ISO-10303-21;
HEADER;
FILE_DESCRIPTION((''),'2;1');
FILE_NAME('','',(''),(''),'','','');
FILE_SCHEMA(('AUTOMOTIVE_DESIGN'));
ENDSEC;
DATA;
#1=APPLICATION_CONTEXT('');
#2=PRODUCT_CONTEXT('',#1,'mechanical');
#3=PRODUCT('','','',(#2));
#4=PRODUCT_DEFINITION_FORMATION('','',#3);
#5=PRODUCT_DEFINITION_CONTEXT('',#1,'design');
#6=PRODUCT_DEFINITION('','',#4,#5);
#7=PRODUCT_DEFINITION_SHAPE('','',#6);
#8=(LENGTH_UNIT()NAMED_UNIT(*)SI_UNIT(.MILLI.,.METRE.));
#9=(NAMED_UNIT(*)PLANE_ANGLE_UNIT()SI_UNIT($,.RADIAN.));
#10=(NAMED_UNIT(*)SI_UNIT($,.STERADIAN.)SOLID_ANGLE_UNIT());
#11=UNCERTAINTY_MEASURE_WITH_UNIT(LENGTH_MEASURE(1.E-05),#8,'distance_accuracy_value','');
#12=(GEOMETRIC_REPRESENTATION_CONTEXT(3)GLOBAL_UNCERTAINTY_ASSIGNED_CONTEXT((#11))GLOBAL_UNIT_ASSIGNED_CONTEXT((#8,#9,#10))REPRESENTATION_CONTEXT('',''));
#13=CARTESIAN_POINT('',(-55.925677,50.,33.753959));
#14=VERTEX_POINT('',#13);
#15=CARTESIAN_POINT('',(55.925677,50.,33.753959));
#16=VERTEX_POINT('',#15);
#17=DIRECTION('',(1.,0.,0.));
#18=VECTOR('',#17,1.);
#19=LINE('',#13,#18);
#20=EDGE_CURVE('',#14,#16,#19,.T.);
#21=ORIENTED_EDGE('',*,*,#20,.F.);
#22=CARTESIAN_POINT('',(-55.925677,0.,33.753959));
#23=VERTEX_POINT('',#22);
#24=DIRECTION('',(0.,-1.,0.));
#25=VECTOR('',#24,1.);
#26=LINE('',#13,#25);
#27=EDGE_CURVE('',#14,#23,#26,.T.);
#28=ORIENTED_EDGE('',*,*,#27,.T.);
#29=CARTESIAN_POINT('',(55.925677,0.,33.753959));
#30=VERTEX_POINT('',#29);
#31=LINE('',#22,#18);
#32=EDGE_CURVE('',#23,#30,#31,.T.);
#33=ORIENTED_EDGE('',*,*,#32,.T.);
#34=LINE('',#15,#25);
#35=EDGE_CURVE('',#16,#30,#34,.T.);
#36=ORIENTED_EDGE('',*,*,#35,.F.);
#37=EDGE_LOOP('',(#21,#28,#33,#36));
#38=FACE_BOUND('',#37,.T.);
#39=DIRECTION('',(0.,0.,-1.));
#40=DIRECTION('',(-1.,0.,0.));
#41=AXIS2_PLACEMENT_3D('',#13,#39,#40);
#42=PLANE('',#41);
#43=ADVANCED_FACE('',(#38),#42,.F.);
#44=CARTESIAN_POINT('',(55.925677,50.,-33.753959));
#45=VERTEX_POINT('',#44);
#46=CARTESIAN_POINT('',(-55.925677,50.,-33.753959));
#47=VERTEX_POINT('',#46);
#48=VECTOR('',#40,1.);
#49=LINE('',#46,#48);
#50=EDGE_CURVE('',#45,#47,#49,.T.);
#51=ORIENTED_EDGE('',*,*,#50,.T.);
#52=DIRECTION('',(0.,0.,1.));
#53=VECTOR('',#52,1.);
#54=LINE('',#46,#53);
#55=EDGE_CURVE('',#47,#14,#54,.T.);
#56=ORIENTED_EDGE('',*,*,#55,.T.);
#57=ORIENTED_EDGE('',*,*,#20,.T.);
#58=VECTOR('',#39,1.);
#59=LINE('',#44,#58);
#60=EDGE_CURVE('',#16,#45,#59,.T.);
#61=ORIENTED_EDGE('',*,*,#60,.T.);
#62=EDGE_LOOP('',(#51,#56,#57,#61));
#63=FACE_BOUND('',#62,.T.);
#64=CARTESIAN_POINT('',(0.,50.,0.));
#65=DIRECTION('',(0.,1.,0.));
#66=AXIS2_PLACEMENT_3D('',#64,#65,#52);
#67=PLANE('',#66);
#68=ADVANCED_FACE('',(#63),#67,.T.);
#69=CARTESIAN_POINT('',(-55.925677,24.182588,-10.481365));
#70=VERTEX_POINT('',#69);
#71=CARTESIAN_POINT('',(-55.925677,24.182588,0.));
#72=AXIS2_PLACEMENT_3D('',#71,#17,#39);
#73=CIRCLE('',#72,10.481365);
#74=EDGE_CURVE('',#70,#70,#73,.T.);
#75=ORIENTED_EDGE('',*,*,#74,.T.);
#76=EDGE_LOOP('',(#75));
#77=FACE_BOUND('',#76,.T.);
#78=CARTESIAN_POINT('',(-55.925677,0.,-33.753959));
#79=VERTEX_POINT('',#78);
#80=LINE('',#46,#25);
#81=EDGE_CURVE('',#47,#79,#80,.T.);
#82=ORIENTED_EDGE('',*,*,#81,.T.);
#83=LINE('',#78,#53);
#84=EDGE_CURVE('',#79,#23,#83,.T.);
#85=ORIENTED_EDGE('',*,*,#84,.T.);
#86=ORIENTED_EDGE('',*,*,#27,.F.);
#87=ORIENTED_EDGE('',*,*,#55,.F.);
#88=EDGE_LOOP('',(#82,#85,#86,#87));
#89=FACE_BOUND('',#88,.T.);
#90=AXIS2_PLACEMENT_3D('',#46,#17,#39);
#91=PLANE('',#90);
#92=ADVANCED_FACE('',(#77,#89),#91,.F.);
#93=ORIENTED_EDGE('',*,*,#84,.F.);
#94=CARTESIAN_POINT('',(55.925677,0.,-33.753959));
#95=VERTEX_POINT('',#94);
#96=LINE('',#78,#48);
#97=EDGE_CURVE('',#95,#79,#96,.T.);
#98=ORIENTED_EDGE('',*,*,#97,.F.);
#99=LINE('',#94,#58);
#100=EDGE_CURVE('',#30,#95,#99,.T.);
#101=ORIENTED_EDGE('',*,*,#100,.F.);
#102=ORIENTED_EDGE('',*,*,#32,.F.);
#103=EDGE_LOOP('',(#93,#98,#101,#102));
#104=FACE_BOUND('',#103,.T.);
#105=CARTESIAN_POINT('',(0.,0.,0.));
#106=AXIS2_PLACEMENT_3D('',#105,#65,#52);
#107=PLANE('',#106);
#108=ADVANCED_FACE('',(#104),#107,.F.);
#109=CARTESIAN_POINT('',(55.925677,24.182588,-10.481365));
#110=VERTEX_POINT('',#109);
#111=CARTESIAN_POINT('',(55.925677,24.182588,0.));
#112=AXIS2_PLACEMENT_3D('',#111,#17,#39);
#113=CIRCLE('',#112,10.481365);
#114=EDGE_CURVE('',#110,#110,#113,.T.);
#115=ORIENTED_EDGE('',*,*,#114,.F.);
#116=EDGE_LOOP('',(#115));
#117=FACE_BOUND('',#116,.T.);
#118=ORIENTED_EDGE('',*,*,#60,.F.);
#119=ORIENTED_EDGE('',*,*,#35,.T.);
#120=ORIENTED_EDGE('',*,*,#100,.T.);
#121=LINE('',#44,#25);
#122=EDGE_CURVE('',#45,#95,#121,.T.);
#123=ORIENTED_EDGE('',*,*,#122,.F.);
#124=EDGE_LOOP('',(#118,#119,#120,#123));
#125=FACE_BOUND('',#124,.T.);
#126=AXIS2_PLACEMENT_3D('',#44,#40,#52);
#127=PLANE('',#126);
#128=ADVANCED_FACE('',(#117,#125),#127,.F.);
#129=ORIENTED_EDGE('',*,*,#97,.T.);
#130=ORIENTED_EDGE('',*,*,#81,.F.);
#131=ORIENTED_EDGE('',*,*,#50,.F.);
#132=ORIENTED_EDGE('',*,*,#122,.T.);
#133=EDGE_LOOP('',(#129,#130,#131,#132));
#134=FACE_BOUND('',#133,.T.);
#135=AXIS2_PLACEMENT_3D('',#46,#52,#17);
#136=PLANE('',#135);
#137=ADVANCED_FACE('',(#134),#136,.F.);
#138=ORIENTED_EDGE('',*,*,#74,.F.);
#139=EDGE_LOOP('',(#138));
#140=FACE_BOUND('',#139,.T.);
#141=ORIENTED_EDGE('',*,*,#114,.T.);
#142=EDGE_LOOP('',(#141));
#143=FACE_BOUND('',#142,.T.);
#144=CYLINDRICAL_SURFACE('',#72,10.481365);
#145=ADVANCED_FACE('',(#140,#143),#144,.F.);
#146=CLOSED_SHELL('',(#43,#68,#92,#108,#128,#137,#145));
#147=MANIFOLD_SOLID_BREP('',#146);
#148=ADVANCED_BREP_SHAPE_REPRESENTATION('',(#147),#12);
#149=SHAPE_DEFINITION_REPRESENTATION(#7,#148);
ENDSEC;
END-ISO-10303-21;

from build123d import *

# Parameters (mm, degrees)
SKETCH1_W           = 111.851353708
SKETCH1_H           = 67.507917622
BOSS_EXTRUDE1_DEPTH = 50
SKETCH2_R           = 10.481364908
CUT_EXTRUDE1_DEPTH  = 112.851353707


with BuildPart() as part:
    # Sketch1 → Boss-Extrude1 (new body)
    with BuildSketch(Plane(origin=(0, 0, 0), x_dir=(1, 0, 0), z_dir=(0, 1, 0))):
        Rectangle(SKETCH1_W, SKETCH1_H)
    extrude(amount=BOSS_EXTRUDE1_DEPTH)

    # Sketch2 → Cut-Extrude1 (cut, through all)
    with BuildSketch(Plane(origin=(55.925676854, 0, 0), x_dir=(0, 0, -1), z_dir=(1, 0, 0))):
        with Locations((0, 24.182587741)):
            Circle(SKETCH2_R)
    extrude(amount=-CUT_EXTRUDE1_DEPTH, mode=Mode.SUBTRACT)


solid = part.part
